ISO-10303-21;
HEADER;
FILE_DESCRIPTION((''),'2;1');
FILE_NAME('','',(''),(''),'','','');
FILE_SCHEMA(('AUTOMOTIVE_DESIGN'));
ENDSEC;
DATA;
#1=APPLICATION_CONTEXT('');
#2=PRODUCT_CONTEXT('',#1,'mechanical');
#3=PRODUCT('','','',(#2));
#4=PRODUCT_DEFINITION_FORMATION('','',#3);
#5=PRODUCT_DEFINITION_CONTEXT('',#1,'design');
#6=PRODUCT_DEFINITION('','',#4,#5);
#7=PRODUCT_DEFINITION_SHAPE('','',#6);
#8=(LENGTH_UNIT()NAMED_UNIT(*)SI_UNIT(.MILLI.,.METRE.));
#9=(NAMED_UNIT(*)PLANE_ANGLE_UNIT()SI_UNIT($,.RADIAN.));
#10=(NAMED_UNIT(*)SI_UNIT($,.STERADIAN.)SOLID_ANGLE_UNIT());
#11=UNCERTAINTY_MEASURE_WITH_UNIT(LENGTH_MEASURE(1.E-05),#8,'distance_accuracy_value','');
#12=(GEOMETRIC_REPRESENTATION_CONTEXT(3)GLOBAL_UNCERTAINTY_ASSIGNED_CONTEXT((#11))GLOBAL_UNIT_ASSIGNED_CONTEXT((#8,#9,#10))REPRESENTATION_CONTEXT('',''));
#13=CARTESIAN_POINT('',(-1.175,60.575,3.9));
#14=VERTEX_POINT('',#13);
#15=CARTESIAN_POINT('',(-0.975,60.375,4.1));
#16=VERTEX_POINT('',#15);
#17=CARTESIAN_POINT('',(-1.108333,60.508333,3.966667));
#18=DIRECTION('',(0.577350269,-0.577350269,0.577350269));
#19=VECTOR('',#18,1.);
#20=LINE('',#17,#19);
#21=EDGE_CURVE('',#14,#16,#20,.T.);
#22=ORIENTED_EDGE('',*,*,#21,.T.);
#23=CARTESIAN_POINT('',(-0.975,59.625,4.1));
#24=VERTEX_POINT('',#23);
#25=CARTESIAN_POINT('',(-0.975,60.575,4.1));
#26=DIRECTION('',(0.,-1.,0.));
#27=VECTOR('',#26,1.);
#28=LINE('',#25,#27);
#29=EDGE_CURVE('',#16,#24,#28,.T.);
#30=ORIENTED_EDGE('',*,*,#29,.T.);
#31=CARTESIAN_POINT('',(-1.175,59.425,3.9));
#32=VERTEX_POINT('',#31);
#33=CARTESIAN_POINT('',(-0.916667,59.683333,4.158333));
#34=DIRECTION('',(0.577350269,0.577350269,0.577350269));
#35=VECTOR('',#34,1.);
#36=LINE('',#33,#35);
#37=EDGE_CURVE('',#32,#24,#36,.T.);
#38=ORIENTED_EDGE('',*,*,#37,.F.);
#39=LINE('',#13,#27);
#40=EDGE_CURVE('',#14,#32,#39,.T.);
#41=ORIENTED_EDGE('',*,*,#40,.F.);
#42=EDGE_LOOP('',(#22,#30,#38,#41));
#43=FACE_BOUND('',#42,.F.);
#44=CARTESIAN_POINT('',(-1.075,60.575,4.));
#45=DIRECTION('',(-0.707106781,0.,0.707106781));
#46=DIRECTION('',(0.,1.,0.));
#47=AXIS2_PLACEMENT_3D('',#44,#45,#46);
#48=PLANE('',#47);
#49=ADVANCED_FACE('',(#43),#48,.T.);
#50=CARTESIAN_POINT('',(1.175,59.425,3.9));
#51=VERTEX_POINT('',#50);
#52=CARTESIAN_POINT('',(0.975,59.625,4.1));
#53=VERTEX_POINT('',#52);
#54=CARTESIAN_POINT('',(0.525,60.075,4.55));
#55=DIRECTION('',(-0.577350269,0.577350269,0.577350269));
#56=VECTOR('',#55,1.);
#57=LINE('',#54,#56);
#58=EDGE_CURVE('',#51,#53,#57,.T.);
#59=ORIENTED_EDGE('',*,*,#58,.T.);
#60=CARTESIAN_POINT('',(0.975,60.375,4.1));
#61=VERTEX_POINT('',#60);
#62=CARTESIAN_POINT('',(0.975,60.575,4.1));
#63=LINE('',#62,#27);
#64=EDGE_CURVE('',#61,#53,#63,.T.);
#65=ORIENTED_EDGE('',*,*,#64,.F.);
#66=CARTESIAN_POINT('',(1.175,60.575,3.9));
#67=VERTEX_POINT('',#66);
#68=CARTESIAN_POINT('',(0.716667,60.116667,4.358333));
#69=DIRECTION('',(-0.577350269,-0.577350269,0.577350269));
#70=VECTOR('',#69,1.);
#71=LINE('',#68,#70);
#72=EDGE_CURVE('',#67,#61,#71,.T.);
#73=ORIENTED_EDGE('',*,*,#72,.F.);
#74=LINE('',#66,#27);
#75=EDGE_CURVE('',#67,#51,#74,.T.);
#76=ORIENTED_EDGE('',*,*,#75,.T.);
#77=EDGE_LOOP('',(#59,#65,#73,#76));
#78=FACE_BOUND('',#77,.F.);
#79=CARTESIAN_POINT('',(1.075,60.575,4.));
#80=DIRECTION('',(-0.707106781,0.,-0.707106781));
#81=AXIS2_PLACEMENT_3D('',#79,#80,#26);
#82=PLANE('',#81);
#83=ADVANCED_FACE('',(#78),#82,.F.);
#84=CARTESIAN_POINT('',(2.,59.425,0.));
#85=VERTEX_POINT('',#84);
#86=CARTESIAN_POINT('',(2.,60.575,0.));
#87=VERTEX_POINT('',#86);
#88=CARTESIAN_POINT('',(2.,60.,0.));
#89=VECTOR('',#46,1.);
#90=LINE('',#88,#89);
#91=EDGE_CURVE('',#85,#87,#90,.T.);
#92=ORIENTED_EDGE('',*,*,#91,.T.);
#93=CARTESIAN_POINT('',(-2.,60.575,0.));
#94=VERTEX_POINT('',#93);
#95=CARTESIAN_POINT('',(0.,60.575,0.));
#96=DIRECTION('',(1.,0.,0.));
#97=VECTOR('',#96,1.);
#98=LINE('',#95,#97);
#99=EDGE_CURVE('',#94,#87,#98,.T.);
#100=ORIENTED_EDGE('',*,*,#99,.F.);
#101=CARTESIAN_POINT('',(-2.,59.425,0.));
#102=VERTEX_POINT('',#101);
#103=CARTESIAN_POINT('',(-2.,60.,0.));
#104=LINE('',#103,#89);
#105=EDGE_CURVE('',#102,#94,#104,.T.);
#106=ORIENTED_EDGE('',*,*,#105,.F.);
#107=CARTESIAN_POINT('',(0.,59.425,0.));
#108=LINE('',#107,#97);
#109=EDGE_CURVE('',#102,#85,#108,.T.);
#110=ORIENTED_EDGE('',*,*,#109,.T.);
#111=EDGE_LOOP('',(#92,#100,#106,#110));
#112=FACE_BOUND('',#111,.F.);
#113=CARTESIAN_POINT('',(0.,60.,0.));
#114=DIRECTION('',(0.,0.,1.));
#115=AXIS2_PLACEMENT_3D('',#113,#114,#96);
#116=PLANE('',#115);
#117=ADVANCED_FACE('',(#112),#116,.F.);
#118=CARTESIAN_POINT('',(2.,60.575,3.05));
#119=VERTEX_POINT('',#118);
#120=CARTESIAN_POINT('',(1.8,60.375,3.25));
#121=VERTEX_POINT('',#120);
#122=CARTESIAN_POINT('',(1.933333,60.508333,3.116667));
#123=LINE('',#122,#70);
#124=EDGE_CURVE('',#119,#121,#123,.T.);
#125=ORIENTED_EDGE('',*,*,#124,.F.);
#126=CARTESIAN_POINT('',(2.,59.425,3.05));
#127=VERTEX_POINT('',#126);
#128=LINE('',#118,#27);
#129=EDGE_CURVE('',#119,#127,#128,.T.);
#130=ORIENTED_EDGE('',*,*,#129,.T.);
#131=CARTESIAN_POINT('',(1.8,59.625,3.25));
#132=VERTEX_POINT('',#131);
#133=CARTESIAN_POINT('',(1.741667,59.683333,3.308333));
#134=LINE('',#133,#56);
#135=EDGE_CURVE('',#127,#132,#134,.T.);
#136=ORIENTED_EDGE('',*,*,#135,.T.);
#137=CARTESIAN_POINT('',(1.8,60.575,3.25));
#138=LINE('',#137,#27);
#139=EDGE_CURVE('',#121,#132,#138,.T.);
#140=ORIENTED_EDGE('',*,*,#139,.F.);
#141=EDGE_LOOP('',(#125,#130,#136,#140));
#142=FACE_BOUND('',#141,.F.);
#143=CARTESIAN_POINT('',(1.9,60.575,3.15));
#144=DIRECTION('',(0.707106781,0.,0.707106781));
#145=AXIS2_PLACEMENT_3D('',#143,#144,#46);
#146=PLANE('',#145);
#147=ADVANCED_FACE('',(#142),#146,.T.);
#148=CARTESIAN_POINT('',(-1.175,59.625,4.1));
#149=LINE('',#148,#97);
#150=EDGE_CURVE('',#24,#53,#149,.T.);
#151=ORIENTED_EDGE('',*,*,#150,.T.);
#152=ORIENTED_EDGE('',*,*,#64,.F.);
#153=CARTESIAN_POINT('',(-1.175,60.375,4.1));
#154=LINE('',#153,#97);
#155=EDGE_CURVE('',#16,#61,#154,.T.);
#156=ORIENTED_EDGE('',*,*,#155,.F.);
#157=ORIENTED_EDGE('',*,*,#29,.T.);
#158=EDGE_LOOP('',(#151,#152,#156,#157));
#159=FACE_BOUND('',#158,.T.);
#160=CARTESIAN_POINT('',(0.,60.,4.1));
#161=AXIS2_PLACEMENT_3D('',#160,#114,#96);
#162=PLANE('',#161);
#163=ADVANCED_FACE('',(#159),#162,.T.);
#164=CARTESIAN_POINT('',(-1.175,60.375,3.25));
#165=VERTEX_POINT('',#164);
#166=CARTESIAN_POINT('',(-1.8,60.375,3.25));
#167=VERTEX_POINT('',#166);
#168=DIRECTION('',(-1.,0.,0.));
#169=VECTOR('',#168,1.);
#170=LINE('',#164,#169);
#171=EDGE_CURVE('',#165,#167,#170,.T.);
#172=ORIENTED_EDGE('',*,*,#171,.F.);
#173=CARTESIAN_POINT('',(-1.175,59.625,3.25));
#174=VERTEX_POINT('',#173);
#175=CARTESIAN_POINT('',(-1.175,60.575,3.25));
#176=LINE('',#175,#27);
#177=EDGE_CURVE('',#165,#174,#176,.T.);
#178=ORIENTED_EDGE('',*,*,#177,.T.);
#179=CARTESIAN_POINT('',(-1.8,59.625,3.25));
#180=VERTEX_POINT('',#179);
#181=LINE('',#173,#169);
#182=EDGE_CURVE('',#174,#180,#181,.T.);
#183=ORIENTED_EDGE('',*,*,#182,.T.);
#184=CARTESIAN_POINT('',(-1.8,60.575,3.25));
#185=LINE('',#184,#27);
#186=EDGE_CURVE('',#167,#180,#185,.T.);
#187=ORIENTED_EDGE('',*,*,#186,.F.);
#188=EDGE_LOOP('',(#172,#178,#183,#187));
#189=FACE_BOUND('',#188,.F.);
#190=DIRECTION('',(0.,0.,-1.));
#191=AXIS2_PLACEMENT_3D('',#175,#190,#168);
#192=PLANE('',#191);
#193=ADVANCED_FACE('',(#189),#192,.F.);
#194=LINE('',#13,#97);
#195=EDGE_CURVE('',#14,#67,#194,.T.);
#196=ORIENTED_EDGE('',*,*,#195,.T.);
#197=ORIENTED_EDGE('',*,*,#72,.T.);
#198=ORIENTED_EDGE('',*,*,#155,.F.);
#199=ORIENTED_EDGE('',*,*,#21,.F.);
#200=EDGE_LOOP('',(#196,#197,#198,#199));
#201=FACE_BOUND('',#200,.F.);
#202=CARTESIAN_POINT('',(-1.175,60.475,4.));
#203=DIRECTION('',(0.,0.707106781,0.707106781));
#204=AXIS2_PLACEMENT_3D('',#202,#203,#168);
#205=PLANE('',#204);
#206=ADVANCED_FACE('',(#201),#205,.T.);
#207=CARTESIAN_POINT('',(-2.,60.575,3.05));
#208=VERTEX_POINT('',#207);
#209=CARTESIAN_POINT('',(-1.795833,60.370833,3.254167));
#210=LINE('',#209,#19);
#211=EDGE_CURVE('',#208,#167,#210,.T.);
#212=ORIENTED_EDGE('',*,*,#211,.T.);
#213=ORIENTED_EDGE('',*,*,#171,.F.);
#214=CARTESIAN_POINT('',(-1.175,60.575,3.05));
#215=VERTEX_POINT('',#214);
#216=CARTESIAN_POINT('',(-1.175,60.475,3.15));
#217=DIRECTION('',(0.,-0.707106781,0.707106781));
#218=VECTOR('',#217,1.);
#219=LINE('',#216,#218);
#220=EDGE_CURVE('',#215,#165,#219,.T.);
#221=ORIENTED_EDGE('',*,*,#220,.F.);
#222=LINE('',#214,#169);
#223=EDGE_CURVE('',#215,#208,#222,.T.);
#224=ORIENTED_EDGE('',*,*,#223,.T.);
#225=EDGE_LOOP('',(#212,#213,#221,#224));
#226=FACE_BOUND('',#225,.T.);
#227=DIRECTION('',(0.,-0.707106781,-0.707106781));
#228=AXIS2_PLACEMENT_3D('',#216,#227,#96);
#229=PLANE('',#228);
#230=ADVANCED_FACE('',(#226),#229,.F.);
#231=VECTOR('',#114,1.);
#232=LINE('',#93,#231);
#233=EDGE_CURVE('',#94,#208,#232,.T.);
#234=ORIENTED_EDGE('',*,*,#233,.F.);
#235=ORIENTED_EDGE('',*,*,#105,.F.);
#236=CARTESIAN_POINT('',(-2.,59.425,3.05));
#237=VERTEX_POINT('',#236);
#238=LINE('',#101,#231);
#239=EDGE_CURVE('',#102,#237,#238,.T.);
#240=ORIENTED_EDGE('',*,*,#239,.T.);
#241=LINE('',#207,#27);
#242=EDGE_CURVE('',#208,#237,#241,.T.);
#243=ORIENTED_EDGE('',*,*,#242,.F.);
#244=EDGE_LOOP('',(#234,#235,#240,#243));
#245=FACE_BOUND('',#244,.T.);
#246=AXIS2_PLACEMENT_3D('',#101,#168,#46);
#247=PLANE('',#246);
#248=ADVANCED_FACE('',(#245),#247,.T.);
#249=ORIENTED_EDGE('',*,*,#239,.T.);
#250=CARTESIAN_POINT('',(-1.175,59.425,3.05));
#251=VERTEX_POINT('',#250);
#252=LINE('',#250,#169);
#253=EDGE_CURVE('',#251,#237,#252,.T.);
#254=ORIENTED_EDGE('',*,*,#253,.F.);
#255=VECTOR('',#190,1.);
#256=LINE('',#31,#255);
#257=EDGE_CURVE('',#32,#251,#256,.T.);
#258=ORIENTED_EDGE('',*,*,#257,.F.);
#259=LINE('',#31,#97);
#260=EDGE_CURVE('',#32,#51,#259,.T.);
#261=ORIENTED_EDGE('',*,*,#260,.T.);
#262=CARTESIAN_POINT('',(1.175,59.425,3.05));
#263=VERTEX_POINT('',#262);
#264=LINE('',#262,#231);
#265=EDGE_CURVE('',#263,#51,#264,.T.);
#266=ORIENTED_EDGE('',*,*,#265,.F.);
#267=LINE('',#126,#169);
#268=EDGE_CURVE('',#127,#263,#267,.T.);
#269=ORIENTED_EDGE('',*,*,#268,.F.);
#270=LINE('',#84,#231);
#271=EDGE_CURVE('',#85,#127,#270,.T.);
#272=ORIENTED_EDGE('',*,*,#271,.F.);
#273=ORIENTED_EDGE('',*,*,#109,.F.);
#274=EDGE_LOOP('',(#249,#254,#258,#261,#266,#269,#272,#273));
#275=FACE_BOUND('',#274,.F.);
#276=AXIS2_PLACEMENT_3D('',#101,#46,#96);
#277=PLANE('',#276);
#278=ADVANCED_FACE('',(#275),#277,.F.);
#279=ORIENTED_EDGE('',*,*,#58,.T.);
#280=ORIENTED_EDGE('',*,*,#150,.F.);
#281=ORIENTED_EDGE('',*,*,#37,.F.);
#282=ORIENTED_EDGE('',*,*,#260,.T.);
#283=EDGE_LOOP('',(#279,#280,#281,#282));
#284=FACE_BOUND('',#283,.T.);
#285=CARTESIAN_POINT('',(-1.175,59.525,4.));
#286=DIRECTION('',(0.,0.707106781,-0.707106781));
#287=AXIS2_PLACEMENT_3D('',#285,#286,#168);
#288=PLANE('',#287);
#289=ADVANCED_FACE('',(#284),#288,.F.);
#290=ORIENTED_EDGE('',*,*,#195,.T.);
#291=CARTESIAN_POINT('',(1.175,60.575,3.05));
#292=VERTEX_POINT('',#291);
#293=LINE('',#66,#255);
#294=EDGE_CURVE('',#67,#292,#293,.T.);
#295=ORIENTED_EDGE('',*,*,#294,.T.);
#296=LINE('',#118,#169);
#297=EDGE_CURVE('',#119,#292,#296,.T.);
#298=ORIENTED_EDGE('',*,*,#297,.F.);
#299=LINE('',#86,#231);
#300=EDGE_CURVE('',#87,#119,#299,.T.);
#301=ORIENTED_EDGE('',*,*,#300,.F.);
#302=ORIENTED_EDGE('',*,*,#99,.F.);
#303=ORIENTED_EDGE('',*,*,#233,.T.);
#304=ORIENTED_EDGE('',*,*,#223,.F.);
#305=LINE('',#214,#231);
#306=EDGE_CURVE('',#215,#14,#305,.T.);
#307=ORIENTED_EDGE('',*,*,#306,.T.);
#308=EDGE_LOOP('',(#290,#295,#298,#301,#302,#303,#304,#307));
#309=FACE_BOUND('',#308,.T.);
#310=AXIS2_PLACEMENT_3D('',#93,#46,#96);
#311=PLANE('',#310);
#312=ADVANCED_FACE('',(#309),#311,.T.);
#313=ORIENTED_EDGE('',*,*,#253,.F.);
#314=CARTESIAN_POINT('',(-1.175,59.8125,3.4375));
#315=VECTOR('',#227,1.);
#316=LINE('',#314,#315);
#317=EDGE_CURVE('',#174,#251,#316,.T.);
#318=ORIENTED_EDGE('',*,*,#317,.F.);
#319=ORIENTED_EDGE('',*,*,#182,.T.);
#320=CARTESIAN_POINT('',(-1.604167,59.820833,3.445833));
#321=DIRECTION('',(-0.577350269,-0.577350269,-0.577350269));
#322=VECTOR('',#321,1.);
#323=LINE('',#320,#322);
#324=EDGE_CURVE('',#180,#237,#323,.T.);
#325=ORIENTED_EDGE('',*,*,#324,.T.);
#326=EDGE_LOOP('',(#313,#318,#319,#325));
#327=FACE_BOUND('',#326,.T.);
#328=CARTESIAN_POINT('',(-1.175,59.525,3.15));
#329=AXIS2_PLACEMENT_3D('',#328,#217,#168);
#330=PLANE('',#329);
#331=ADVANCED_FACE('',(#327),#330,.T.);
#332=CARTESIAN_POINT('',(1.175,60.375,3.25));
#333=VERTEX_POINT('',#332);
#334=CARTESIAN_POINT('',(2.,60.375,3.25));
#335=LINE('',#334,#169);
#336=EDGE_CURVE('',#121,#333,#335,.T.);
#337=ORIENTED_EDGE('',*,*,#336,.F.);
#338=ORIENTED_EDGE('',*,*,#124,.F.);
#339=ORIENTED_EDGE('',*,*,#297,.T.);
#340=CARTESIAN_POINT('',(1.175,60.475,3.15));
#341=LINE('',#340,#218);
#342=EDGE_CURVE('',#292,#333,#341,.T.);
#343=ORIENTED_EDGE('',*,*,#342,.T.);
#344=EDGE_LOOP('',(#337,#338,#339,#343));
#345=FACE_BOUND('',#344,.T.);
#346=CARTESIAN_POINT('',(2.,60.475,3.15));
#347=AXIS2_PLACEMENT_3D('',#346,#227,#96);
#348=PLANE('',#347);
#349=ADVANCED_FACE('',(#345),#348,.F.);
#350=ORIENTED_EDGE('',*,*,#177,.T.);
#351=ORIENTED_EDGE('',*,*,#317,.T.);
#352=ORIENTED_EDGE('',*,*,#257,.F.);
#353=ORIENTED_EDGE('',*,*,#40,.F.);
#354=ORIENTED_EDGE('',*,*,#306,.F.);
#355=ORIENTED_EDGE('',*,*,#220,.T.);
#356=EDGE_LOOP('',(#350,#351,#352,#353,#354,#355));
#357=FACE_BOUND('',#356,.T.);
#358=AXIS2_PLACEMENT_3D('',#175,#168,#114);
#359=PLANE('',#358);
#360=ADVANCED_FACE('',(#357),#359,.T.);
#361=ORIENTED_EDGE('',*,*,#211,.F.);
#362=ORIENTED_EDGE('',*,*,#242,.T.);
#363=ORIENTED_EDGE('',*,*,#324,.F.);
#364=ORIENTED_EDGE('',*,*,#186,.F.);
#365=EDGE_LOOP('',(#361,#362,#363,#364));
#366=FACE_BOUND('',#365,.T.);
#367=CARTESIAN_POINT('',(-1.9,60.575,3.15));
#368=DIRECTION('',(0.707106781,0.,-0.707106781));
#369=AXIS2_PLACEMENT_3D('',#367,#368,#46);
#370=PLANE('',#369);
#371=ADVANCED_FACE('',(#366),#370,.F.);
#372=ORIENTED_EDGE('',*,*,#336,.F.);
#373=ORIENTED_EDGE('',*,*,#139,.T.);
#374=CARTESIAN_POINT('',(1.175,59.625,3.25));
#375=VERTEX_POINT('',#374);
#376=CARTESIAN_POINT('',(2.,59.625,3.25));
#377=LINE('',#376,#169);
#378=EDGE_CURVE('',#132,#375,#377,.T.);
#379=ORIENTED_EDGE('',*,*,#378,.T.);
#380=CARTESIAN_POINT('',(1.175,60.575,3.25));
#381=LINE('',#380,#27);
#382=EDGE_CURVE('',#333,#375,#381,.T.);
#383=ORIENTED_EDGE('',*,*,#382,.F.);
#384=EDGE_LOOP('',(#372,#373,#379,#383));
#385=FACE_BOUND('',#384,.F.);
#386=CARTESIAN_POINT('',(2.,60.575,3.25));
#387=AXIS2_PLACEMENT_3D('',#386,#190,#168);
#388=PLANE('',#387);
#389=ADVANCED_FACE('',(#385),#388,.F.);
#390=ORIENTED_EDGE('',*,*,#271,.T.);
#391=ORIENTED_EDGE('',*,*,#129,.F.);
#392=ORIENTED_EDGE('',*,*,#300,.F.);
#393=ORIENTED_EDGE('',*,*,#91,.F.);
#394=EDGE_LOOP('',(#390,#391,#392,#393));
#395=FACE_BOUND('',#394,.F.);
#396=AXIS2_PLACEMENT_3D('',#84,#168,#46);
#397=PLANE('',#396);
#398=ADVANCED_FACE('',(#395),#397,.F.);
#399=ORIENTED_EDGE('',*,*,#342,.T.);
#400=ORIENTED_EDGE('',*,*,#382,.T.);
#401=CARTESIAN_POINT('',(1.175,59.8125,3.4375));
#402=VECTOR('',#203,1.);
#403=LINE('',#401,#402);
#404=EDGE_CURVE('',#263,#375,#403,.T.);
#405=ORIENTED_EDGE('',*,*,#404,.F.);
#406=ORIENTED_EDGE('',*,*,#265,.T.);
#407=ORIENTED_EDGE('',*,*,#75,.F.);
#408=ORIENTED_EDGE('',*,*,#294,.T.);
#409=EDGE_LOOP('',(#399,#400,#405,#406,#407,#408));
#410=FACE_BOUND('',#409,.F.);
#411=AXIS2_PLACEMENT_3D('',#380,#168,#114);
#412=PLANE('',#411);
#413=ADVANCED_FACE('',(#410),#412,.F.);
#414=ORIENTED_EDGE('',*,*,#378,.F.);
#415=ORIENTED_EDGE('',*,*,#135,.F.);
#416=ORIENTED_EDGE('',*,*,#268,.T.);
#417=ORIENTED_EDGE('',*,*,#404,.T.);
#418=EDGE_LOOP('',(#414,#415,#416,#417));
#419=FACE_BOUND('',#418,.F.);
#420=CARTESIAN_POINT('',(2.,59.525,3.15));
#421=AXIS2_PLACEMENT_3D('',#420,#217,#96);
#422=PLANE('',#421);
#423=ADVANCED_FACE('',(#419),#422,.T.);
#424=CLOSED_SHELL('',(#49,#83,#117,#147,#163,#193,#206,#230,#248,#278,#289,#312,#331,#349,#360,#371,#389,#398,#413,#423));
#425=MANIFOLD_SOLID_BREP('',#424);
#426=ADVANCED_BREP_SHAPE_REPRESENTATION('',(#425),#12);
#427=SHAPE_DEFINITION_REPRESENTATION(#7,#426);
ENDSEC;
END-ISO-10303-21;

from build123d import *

# Parameters (mm, degrees)
SKETCH008_W     = 4
SKETCH008_H     = 1.15
PAD005_DEPTH    = 4.1
SKETCH009_W     = 0.825
SKETCH009_H     = 0.85
POCKET002_DEPTH = 5
CHAMFER005_SIZE = 0.2


with BuildPart() as part:
    # Sketch008 → Pad005 (new body)
    with BuildSketch(Plane.XY):
        Rectangle(SKETCH008_W, SKETCH008_H)
    extrude(amount=PAD005_DEPTH)

    # Sketch009 (on Face1 of Pad005) → Pocket002 (cut)
    with BuildSketch(Plane(origin=(0, 0.575, 0), x_dir=(-1, 0, 0), z_dir=(0, 1, 0))):
        with Locations((-1.5875, 3.675)):
            Rectangle(SKETCH009_W, SKETCH009_H)
        with Locations((1.5875, 3.675)):
            Rectangle(SKETCH009_W, SKETCH009_H)
    extrude(amount=-POCKET002_DEPTH, mode=Mode.SUBTRACT)

    # Chamfer005
    chamfer005_edges = [part.edges().sort_by_distance(p)[0] for p in [
        (0, 0.575, 4.1),
        (0, -0.575, 4.1),
        (1.5875, 0.575, 3.25),
        (-1.5875, 0.575, 3.25),
        (-1.5875, -0.575, 3.25),
        (1.5875, -0.575, 3.25),
        (2, 0, 3.25),
        (-2, 0, 3.25),
        (1.175, 0, 4.1),
        (-1.175, 0, 4.1),
    ]]
    chamfer(chamfer005_edges, length=CHAMFER005_SIZE)


with BuildPart() as part_1:
    # Body044 placement: moved
    add(part.part.moved(Location((0, 60, 0))))


solid = part_1.part
